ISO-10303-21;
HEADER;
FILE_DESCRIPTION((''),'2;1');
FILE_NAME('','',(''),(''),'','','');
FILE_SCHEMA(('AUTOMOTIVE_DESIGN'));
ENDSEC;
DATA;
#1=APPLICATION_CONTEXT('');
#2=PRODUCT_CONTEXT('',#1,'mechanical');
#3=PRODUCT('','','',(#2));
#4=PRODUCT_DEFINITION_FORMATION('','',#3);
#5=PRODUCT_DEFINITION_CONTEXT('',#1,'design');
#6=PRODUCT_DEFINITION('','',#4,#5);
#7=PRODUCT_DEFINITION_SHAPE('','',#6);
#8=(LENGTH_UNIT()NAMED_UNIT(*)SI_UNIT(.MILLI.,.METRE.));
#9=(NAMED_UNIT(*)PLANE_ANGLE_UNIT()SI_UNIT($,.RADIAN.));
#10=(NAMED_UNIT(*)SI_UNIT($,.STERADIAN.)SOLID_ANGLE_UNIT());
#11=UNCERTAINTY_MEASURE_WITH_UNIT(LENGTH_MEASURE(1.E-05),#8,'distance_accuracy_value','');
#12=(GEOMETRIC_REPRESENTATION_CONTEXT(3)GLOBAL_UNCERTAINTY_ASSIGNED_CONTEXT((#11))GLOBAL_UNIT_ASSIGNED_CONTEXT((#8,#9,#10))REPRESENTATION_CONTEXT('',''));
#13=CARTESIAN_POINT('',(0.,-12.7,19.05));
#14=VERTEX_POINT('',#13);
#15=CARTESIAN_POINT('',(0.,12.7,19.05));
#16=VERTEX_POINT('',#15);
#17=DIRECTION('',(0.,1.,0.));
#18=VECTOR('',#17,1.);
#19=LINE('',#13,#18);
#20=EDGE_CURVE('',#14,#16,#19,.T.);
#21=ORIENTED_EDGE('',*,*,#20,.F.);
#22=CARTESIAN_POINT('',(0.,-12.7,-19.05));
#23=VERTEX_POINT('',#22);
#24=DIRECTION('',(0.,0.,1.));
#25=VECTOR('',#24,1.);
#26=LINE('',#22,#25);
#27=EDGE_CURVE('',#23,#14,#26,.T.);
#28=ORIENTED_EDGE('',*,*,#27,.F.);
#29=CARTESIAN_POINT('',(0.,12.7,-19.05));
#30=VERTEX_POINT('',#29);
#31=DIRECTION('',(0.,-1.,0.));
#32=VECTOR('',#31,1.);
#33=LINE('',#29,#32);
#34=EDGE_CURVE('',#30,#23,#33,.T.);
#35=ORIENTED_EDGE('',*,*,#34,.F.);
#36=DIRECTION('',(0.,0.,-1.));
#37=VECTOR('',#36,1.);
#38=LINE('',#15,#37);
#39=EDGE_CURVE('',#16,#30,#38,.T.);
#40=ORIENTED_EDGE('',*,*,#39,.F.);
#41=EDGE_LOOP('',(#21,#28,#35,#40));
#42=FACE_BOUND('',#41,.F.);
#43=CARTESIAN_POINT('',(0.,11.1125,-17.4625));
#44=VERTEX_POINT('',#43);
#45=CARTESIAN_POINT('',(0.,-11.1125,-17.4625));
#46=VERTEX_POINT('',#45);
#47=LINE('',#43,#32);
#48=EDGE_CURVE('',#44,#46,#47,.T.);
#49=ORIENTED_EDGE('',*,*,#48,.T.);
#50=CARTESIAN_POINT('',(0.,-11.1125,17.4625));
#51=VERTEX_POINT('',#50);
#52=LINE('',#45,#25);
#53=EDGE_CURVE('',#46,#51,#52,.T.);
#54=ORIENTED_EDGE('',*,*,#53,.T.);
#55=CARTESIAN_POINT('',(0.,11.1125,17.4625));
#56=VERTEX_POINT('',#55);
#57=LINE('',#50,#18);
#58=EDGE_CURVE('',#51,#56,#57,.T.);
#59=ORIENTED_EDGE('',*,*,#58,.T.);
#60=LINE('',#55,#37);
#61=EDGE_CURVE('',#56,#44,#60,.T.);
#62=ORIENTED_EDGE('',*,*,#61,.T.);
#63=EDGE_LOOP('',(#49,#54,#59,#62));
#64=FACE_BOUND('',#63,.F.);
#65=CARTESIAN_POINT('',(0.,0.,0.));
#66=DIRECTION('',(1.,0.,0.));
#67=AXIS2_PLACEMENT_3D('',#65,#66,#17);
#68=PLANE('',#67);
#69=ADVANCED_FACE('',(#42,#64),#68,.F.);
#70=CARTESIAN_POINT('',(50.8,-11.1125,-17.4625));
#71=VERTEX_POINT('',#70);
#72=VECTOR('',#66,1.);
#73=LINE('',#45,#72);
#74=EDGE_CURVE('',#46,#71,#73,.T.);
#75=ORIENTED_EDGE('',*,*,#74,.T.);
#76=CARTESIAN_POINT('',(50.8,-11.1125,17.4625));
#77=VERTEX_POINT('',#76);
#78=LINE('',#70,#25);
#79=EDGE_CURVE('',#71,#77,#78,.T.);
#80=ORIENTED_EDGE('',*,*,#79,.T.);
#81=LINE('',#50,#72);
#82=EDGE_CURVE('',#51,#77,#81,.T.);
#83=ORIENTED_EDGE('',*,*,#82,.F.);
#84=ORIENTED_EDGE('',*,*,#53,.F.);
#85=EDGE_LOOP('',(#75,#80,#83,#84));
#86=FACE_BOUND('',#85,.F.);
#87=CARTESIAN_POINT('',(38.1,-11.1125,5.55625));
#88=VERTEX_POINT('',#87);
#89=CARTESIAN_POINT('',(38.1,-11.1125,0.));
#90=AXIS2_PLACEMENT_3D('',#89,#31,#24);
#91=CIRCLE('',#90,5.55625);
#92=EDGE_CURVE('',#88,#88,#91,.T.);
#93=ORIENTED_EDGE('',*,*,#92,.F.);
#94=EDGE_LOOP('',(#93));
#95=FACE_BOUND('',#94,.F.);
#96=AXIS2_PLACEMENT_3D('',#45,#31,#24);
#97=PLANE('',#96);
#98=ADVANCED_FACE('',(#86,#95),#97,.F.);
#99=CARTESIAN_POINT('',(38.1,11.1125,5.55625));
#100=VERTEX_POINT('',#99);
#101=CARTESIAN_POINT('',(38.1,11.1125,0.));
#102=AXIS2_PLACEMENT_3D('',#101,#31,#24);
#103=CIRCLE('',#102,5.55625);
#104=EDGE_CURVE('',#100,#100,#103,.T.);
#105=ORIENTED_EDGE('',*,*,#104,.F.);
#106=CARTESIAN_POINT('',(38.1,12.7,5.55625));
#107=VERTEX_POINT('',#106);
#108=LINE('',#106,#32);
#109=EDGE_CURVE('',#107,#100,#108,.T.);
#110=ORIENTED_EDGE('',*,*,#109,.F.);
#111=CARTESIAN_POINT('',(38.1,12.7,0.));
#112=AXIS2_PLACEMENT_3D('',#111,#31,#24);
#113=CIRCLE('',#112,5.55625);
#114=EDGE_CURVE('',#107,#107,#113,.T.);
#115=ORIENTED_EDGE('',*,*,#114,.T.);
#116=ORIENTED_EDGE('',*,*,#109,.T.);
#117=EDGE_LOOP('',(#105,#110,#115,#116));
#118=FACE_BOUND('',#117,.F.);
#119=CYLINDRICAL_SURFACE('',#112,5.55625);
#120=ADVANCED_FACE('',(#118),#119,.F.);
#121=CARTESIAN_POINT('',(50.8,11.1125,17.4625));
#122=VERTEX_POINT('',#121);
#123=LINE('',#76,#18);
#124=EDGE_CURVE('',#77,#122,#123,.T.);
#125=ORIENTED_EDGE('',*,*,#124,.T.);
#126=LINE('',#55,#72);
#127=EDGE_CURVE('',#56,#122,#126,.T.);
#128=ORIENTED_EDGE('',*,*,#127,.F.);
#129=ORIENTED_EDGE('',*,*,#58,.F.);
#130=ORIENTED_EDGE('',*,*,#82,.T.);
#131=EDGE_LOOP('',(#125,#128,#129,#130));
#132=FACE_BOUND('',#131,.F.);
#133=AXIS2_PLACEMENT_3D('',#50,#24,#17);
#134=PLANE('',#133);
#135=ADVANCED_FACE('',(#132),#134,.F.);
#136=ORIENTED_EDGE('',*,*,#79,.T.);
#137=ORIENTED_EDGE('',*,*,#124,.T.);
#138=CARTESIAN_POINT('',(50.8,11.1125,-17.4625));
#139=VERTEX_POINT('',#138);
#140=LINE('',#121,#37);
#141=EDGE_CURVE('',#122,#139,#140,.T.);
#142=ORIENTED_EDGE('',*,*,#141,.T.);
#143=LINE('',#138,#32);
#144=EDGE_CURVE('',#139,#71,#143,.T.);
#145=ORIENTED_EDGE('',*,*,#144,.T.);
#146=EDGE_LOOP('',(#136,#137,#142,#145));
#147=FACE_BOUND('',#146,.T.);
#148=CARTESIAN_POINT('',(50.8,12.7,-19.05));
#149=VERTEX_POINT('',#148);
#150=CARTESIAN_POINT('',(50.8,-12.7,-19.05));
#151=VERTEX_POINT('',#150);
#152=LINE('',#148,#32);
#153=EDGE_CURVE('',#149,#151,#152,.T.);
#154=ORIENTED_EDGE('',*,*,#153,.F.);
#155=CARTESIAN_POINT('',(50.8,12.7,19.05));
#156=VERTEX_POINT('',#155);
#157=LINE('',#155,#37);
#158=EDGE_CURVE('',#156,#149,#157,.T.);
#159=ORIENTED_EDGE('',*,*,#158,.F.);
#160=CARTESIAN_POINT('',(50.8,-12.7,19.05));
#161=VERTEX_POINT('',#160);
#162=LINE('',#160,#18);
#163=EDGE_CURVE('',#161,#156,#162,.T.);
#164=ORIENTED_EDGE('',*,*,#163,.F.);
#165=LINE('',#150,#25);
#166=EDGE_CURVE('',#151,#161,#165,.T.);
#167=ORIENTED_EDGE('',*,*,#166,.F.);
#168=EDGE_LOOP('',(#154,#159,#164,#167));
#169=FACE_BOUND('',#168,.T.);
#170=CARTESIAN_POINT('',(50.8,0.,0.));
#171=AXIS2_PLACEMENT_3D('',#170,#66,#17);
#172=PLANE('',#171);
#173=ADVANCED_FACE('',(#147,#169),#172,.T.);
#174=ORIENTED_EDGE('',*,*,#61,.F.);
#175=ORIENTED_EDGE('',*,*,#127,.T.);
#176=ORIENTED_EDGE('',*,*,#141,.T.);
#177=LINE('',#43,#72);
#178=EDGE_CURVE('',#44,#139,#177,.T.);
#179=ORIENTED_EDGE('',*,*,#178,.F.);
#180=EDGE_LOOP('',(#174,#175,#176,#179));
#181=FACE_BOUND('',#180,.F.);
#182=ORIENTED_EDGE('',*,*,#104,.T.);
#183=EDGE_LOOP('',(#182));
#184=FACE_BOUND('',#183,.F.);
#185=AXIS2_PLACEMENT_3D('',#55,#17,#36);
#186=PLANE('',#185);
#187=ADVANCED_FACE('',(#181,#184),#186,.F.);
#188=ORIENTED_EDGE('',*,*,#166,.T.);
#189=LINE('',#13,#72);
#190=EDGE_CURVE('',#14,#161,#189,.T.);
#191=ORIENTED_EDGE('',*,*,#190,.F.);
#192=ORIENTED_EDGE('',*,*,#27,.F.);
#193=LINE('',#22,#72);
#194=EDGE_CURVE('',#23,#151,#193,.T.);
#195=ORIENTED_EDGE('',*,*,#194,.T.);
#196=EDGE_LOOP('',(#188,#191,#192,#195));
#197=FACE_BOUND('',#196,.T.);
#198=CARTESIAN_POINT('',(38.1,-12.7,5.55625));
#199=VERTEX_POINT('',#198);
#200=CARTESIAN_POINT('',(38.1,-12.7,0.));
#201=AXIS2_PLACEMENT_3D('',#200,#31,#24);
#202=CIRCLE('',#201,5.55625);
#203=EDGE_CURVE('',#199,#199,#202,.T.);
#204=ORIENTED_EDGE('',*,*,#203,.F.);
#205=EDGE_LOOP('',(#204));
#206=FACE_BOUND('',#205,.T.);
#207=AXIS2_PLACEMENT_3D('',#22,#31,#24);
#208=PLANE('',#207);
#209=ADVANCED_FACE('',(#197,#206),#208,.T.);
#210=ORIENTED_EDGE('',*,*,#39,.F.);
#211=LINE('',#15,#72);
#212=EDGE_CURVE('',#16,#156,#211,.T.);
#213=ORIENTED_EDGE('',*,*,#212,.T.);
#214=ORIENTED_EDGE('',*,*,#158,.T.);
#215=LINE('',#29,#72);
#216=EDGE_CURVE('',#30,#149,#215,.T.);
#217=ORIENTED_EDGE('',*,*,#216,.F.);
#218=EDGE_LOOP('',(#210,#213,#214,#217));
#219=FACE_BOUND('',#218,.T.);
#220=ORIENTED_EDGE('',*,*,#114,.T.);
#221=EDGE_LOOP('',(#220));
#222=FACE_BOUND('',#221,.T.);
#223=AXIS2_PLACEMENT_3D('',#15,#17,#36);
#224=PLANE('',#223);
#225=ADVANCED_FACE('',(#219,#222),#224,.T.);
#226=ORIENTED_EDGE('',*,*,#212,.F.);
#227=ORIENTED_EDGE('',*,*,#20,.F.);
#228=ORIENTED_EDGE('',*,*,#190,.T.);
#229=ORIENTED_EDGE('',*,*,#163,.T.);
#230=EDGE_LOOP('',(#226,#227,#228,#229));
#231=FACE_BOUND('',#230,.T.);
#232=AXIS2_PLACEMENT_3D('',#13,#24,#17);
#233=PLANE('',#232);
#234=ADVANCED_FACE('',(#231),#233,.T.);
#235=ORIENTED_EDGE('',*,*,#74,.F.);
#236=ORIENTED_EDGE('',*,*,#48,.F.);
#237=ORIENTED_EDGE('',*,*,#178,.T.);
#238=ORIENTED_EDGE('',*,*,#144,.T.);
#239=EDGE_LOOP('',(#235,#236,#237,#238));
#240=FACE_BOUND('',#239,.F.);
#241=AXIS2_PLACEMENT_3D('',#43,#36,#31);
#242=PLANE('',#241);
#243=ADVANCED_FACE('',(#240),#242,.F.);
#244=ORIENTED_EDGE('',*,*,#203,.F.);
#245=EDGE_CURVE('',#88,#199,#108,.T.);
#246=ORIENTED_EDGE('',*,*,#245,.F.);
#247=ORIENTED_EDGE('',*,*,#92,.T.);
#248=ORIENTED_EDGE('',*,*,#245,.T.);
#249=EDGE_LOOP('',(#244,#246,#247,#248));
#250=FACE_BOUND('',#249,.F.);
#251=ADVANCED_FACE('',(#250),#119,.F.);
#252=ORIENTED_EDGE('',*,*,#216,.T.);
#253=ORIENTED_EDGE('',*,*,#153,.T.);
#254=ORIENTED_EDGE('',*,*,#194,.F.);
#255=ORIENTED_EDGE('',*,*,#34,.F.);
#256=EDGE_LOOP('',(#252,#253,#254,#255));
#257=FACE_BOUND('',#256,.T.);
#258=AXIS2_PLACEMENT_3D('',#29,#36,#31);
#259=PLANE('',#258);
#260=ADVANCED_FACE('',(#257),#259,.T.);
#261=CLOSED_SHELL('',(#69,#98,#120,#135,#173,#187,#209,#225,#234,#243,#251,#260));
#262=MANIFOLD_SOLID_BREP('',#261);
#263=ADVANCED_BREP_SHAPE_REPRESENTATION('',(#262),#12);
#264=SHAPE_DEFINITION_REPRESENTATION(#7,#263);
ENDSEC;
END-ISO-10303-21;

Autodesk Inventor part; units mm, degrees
ref_plane "Work Plane3" through (0, 12.7, 0) normal (0, 1, 0) x (-1, 0, 0)
ref_plane "Start Plane" through (0, 0, 0) normal (1, 0, 0) x (0, 1, 0)
ref_plane "End Plane" through (50.8, 0, 0) normal (1, 0, 0) x (0, 1, 0)
sketch "Sketch" plane through (0, 0, 0) normal (1, 0, 0) x (0, 1, 0)
  line L0 (-12.7, 19.05) -> (12.7, 19.05)
  line L1 (12.7, 19.05) -> (12.7, -19.05)
  line L2 (12.7, -19.05) -> (-12.7, -19.05)
  line L3 (-12.7, -19.05) -> (-12.7, 19.05)
  line L4 (-12.7, 19.05) -> (12.7, -19.05) construction
  line L5 (12.7, 19.05) -> (-12.7, -19.05) construction
  line L6 (-11.1125, 17.4625) -> (11.1125, 17.4625)
  line L7 (11.1125, 17.4625) -> (11.1125, -17.4625)
  line L8 (11.1125, -17.4625) -> (-11.1125, -17.4625)
  line L9 (-11.1125, -17.4625) -> (-11.1125, 17.4625)
  line L10 (-11.1125, 17.4625) -> (11.1125, -17.4625) construction
  line L11 (11.1125, 17.4625) -> (-11.1125, -17.4625) construction
  point P0 (0, 0)
  dimension "d0" = 38.1
  dimension "d1" = 25.4
  dimension "d2" = 1.5875
  dimension "d3" = 1.5875
extrude "Body" add sketch "Sketch" along normal up to surface (50.8 mm away) from surface at 0
sketch "Sketch8" plane through (0, 0, 0) normal (1, 0, 0) x (0, 1, 0)
  line L0 (0, 0) -> (10, 0)
ref_plane "Work Plane6" through (0, 0, 0) normal (0, 0, -1) x (0, 1, 0)
sketch "Sketch9" plane through (0, 0, 0) normal (0, 0, -1) x (0, 1, 0)
  line L0 (-17.78, 0) -> (17.78, 0)
  line L1 (-17.78, 50.8) -> (17.78, 50.8)
  dimension "d21" = 50.8
sketch "Sketch5" plane through (0, 12.7, -19.05) normal (0, 1, 0) x (1, 0, 0)
  line L0 (0, -38.1) -> (0, 0) projected
  point P0 (0, -19.05)
  point P1 (38.1, -19.05)
  dimension "d22" = 38.1
hole "Hole2" at (38.1, 12.7, 0) direction (0, -1, 0) diameter 11.1125 end through all
equation "\"d3\" = d2"
equation "\"G_OFFSET_START\" = 0"
equation "\"G_OFFSET_END\" = 0"
equation "\"d17\" = d4 + G_OFFSET_END"
equation "\"G_L\" = d21"
equation "\"d4\" = 50.8"
properties part number "1605682987500"
